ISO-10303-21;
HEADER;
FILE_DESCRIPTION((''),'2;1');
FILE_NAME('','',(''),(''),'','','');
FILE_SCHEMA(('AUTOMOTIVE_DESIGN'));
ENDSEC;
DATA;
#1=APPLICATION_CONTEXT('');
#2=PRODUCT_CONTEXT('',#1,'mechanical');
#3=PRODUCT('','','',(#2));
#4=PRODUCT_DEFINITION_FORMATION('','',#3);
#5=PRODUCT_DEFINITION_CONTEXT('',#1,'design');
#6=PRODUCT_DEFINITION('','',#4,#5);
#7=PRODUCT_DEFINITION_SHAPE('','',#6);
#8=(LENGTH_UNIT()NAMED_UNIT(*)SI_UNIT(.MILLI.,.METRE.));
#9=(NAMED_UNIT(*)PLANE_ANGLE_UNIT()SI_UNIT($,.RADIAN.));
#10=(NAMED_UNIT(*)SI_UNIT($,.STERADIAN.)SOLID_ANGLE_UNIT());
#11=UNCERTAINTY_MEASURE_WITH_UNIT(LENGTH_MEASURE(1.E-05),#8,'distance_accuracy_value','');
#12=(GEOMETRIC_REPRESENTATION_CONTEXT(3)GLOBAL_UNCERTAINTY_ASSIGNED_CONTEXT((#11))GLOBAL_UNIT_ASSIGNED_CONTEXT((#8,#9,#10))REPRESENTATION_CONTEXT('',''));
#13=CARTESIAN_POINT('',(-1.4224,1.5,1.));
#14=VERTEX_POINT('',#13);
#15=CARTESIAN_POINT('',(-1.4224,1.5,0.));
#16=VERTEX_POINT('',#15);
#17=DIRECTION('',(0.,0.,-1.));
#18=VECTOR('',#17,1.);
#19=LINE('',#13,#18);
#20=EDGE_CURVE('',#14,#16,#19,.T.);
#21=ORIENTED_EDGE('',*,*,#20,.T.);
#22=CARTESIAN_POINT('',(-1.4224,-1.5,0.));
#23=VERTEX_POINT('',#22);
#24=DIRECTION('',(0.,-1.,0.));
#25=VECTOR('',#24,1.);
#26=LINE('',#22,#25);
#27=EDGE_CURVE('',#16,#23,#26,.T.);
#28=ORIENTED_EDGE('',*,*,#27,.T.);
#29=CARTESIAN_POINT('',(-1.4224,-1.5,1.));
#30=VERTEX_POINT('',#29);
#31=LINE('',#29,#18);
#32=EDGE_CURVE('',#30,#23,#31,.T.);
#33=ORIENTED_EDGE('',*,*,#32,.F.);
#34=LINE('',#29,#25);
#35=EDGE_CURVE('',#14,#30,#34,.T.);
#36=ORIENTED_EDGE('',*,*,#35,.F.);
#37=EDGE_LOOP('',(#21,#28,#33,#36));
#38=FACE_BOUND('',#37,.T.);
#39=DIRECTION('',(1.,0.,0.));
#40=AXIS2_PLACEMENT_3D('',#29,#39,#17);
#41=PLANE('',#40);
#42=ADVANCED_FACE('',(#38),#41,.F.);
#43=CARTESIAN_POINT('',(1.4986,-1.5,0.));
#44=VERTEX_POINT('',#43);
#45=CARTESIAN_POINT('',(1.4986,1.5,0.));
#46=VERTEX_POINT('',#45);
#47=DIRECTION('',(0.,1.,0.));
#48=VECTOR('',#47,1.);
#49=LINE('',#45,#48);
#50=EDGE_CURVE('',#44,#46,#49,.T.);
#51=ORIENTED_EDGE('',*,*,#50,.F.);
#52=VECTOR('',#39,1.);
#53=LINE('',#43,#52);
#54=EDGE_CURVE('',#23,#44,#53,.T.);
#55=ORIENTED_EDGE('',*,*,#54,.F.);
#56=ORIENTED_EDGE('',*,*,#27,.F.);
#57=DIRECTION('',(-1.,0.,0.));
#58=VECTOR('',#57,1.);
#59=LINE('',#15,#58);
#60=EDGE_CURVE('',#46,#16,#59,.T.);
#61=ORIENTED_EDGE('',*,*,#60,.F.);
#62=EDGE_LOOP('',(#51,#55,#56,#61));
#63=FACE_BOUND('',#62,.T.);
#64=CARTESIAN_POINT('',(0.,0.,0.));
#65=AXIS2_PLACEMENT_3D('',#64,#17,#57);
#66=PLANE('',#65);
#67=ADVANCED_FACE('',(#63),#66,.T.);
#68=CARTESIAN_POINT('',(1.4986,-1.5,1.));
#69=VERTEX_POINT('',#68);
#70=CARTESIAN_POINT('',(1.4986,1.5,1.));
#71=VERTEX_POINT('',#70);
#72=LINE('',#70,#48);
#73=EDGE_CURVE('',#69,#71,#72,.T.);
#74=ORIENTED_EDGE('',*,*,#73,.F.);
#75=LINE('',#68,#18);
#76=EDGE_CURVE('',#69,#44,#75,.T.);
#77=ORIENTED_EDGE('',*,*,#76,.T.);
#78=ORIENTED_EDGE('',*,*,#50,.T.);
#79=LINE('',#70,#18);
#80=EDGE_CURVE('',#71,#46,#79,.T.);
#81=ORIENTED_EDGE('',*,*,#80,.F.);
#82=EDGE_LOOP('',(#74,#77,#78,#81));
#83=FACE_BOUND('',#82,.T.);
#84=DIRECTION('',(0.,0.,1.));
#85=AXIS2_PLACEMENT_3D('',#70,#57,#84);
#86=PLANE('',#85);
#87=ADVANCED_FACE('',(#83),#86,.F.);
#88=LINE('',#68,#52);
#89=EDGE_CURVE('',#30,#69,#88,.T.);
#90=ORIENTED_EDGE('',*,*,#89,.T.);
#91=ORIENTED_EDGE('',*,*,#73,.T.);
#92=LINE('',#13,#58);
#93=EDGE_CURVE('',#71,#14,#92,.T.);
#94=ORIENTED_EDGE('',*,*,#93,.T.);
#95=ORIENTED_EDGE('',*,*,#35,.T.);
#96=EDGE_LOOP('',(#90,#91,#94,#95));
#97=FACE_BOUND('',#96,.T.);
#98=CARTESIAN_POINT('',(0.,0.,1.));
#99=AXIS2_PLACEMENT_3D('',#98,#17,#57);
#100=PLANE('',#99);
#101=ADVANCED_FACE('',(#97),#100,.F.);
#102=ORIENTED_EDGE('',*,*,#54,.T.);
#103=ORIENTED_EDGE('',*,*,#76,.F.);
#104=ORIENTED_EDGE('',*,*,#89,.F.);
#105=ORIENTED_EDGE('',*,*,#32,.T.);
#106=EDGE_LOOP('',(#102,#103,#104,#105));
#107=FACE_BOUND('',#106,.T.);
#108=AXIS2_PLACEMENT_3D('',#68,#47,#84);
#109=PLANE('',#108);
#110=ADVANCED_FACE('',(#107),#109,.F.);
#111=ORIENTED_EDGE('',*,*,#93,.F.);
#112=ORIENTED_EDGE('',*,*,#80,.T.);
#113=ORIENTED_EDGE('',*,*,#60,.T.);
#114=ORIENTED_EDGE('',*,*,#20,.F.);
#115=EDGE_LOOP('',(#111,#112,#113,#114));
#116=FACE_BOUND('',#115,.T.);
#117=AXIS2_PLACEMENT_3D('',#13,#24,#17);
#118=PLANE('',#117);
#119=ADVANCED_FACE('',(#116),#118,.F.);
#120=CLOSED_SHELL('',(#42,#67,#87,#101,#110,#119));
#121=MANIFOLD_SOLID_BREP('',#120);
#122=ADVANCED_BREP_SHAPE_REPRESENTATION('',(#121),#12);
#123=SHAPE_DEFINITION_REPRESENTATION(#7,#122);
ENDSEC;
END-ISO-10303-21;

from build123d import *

# Parameters (mm, degrees)
SKETCH1_W               = 2.921
SKETCH1_H               = 3
COMPONENT_OUTLINE_DEPTH = 1


with BuildPart() as part:
    # Sketch1 → Component_Outline (new body)
    with BuildSketch(Plane.XY):
        with Locations((0.0381, 0)):
            Rectangle(SKETCH1_W, SKETCH1_H)
    extrude(amount=COMPONENT_OUTLINE_DEPTH)


solid = part.part
